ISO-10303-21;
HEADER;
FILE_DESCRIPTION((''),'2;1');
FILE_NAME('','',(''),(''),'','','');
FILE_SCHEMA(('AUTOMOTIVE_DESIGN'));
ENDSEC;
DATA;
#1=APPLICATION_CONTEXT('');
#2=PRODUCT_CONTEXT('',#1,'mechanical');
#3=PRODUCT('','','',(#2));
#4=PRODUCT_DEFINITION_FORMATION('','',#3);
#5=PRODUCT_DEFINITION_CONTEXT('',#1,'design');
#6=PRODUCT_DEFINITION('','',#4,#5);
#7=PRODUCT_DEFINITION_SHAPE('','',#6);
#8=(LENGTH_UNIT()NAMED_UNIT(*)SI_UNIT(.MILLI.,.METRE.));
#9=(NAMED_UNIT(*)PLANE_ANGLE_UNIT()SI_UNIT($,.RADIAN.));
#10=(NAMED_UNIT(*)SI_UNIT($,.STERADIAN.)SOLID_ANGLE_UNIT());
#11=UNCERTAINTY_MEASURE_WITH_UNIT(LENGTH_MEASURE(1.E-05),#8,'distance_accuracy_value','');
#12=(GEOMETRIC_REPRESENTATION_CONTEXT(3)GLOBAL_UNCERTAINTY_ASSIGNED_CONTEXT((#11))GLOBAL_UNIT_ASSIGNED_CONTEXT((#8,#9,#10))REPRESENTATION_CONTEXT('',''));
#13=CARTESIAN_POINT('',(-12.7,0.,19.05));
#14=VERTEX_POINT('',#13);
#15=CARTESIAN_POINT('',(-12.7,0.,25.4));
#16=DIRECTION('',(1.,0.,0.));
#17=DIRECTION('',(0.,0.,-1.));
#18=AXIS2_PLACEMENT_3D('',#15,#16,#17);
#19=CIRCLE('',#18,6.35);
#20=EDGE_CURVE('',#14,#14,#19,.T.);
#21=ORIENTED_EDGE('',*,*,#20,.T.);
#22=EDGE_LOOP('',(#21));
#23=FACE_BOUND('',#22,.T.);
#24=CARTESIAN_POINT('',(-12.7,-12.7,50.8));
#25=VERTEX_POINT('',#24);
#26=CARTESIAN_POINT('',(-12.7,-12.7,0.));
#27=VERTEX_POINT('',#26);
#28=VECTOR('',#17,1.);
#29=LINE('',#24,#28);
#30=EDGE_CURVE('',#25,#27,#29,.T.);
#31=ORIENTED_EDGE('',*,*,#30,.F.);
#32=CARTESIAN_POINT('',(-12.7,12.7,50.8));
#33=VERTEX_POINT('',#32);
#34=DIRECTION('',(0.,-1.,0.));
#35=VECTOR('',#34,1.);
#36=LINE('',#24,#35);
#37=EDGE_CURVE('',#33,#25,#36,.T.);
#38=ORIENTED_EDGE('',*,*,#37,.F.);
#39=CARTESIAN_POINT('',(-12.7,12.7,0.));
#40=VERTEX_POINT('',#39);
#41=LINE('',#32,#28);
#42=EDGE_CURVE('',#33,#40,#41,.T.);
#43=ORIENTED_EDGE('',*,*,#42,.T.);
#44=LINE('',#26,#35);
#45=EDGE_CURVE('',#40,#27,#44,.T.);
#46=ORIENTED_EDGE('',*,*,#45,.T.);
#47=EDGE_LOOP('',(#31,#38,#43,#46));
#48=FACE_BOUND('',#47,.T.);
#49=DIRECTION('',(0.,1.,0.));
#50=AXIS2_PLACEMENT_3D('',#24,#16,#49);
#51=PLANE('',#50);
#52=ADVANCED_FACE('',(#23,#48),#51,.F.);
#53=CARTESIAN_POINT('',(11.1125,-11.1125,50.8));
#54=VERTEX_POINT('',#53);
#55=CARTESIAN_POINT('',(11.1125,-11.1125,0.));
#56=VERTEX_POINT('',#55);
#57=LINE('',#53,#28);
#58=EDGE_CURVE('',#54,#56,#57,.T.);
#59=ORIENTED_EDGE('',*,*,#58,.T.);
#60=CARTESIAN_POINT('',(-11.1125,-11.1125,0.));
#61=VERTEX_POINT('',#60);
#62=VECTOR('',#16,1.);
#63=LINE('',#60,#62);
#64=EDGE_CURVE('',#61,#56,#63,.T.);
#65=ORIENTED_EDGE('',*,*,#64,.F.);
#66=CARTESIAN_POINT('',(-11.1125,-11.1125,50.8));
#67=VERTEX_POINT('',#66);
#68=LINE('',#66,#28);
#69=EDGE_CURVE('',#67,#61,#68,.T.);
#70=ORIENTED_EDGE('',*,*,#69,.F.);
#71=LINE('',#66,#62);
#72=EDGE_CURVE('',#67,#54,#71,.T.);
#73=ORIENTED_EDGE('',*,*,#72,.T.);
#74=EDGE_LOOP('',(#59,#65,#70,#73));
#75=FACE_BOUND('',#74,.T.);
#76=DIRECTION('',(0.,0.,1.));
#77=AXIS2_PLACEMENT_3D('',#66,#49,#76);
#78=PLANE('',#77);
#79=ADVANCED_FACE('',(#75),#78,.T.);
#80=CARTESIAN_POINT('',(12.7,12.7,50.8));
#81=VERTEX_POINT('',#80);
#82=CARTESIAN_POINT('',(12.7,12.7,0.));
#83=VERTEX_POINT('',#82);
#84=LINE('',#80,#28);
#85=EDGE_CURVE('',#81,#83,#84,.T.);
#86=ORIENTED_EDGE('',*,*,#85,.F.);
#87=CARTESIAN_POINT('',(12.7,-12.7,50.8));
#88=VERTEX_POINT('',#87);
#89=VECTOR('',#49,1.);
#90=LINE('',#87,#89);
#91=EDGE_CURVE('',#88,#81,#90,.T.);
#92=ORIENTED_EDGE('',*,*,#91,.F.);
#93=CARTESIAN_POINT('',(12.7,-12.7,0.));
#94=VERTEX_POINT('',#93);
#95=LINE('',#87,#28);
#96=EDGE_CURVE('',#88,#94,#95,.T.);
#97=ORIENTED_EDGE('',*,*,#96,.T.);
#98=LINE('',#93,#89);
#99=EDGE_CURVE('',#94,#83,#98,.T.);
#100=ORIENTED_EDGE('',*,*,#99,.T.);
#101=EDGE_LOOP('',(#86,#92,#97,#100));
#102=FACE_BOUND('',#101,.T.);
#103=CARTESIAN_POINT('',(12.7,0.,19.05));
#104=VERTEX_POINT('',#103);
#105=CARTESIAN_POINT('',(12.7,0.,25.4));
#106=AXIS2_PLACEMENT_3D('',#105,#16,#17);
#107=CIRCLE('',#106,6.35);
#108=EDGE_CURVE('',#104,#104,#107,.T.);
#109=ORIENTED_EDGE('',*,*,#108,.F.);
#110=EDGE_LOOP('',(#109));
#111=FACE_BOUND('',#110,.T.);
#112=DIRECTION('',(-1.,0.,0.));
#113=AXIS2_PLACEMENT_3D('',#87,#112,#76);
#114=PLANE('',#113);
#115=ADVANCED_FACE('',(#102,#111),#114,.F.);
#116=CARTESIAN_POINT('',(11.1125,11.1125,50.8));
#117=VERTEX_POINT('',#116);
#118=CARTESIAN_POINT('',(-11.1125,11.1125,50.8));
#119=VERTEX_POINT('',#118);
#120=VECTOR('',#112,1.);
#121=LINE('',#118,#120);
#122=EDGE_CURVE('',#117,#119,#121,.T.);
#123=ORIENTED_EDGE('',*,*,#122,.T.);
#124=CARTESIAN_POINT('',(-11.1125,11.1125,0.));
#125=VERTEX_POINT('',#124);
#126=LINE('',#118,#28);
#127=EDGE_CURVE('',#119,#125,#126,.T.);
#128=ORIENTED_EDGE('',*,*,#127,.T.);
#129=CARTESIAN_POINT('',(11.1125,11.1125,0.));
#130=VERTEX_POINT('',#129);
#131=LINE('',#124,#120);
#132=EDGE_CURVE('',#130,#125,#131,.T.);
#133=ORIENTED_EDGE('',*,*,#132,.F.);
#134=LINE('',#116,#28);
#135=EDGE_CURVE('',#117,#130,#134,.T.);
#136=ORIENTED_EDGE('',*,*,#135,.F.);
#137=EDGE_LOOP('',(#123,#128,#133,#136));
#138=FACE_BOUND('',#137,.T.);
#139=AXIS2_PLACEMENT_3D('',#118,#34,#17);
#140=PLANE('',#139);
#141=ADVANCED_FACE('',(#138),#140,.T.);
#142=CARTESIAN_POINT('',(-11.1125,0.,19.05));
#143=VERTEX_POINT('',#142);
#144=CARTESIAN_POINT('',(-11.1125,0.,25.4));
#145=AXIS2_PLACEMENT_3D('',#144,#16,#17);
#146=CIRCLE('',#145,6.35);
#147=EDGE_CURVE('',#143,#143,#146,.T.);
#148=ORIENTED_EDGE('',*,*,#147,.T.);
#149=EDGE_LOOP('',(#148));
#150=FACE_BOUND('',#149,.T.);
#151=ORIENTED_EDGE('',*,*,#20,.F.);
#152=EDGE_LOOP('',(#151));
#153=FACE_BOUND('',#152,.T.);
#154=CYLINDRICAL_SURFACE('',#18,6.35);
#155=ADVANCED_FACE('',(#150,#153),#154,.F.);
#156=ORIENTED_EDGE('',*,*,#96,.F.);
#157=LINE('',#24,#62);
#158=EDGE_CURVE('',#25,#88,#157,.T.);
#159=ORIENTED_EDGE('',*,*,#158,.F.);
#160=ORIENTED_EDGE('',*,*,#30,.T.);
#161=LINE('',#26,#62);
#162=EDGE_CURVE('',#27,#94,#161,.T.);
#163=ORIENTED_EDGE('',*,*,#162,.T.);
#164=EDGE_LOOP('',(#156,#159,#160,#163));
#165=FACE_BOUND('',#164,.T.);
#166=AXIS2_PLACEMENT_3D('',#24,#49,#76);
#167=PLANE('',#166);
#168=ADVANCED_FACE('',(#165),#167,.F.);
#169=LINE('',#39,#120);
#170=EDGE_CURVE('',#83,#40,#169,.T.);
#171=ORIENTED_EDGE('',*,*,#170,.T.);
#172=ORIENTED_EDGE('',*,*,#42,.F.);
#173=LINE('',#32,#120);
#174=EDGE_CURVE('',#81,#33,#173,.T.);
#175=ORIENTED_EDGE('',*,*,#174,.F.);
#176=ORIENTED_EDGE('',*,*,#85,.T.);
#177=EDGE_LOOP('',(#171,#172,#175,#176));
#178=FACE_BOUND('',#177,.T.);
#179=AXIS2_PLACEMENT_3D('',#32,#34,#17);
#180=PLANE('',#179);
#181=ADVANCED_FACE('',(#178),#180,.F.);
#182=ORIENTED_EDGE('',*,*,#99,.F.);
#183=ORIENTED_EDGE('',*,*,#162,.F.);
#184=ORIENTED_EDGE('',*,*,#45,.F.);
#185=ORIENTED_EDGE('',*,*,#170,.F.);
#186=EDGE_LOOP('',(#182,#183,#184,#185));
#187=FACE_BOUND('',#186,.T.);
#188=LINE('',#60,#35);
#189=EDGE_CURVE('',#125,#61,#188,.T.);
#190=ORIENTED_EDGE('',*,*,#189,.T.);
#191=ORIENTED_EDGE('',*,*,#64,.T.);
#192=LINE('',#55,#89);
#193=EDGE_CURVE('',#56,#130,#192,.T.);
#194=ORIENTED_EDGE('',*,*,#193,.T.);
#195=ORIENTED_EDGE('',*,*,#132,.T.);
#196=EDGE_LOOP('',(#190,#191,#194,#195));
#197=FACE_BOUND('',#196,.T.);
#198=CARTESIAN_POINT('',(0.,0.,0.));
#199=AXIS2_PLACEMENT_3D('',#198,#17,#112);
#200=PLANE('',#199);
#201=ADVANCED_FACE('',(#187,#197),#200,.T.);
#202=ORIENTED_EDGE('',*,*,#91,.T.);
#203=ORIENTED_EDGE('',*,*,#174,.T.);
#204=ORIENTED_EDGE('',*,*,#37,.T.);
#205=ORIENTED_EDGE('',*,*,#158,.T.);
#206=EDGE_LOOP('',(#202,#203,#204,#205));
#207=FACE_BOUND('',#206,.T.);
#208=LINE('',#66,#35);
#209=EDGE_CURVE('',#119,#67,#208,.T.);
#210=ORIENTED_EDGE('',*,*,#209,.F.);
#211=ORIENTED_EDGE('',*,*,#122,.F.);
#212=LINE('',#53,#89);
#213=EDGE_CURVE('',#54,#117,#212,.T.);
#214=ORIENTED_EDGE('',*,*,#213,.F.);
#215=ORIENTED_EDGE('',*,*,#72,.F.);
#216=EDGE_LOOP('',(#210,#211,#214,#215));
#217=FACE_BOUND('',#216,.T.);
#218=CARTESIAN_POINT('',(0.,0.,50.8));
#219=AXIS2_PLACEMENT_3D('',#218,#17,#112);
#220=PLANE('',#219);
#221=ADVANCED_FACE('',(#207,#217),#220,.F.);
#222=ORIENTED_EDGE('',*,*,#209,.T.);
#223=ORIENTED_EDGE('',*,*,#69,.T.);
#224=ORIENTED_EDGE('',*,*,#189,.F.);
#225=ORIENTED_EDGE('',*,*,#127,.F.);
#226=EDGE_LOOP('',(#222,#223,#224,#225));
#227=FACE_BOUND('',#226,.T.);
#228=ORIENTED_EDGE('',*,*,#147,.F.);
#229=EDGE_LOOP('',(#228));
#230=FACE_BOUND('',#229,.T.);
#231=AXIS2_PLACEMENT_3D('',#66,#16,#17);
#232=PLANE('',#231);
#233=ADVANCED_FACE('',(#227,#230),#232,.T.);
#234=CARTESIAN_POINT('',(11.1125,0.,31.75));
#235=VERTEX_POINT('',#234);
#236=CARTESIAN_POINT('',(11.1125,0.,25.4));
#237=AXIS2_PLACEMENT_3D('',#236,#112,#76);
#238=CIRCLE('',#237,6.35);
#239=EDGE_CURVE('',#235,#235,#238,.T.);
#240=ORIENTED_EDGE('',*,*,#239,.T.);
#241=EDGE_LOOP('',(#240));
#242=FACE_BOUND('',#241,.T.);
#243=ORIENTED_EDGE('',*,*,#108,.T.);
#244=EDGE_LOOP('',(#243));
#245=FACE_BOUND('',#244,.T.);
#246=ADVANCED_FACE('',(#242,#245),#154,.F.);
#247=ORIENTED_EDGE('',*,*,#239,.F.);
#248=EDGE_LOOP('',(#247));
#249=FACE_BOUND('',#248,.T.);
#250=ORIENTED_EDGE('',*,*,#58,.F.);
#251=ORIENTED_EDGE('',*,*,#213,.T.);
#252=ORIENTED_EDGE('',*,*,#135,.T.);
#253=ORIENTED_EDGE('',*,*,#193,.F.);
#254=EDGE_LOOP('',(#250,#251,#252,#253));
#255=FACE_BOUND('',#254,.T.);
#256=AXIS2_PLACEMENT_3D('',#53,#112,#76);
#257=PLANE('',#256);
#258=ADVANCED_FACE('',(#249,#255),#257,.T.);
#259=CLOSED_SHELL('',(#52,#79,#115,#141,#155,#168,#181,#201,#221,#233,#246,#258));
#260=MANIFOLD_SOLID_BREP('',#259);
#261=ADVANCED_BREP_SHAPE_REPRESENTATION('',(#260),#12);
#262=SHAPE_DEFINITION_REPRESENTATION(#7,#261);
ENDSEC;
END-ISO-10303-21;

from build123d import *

# Parameters (mm, degrees)
SKETCH1_W           = 25.4
SKETCH1_H           = 25.4
SKETCH1_W_2         = 22.225
SKETCH1_H_2         = 22.225
BOSS_EXTRUDE1_DEPTH = 50.8
SKETCH2_R           = 6.35
CUT_EXTRUDE2_DEPTH  = 59.198711326


with BuildPart() as part:
    # Sketch1 → Boss-Extrude1 (new body)
    with BuildSketch(Plane.XY):
        Rectangle(SKETCH1_W, SKETCH1_H)
        Rectangle(SKETCH1_W_2, SKETCH1_H_2, mode=Mode.SUBTRACT)
    extrude(amount=BOSS_EXTRUDE1_DEPTH)

    # Sketch2 → Cut-Extrude2 (cut, through all)
    with BuildSketch(Plane(origin=(12.7, 0, 0), x_dir=(0, 0, -1), z_dir=(1, 0, 0))):
        with Locations((-25.4, 0)):
            Circle(SKETCH2_R)
    extrude(amount=-CUT_EXTRUDE2_DEPTH, mode=Mode.SUBTRACT)


solid = part.part
